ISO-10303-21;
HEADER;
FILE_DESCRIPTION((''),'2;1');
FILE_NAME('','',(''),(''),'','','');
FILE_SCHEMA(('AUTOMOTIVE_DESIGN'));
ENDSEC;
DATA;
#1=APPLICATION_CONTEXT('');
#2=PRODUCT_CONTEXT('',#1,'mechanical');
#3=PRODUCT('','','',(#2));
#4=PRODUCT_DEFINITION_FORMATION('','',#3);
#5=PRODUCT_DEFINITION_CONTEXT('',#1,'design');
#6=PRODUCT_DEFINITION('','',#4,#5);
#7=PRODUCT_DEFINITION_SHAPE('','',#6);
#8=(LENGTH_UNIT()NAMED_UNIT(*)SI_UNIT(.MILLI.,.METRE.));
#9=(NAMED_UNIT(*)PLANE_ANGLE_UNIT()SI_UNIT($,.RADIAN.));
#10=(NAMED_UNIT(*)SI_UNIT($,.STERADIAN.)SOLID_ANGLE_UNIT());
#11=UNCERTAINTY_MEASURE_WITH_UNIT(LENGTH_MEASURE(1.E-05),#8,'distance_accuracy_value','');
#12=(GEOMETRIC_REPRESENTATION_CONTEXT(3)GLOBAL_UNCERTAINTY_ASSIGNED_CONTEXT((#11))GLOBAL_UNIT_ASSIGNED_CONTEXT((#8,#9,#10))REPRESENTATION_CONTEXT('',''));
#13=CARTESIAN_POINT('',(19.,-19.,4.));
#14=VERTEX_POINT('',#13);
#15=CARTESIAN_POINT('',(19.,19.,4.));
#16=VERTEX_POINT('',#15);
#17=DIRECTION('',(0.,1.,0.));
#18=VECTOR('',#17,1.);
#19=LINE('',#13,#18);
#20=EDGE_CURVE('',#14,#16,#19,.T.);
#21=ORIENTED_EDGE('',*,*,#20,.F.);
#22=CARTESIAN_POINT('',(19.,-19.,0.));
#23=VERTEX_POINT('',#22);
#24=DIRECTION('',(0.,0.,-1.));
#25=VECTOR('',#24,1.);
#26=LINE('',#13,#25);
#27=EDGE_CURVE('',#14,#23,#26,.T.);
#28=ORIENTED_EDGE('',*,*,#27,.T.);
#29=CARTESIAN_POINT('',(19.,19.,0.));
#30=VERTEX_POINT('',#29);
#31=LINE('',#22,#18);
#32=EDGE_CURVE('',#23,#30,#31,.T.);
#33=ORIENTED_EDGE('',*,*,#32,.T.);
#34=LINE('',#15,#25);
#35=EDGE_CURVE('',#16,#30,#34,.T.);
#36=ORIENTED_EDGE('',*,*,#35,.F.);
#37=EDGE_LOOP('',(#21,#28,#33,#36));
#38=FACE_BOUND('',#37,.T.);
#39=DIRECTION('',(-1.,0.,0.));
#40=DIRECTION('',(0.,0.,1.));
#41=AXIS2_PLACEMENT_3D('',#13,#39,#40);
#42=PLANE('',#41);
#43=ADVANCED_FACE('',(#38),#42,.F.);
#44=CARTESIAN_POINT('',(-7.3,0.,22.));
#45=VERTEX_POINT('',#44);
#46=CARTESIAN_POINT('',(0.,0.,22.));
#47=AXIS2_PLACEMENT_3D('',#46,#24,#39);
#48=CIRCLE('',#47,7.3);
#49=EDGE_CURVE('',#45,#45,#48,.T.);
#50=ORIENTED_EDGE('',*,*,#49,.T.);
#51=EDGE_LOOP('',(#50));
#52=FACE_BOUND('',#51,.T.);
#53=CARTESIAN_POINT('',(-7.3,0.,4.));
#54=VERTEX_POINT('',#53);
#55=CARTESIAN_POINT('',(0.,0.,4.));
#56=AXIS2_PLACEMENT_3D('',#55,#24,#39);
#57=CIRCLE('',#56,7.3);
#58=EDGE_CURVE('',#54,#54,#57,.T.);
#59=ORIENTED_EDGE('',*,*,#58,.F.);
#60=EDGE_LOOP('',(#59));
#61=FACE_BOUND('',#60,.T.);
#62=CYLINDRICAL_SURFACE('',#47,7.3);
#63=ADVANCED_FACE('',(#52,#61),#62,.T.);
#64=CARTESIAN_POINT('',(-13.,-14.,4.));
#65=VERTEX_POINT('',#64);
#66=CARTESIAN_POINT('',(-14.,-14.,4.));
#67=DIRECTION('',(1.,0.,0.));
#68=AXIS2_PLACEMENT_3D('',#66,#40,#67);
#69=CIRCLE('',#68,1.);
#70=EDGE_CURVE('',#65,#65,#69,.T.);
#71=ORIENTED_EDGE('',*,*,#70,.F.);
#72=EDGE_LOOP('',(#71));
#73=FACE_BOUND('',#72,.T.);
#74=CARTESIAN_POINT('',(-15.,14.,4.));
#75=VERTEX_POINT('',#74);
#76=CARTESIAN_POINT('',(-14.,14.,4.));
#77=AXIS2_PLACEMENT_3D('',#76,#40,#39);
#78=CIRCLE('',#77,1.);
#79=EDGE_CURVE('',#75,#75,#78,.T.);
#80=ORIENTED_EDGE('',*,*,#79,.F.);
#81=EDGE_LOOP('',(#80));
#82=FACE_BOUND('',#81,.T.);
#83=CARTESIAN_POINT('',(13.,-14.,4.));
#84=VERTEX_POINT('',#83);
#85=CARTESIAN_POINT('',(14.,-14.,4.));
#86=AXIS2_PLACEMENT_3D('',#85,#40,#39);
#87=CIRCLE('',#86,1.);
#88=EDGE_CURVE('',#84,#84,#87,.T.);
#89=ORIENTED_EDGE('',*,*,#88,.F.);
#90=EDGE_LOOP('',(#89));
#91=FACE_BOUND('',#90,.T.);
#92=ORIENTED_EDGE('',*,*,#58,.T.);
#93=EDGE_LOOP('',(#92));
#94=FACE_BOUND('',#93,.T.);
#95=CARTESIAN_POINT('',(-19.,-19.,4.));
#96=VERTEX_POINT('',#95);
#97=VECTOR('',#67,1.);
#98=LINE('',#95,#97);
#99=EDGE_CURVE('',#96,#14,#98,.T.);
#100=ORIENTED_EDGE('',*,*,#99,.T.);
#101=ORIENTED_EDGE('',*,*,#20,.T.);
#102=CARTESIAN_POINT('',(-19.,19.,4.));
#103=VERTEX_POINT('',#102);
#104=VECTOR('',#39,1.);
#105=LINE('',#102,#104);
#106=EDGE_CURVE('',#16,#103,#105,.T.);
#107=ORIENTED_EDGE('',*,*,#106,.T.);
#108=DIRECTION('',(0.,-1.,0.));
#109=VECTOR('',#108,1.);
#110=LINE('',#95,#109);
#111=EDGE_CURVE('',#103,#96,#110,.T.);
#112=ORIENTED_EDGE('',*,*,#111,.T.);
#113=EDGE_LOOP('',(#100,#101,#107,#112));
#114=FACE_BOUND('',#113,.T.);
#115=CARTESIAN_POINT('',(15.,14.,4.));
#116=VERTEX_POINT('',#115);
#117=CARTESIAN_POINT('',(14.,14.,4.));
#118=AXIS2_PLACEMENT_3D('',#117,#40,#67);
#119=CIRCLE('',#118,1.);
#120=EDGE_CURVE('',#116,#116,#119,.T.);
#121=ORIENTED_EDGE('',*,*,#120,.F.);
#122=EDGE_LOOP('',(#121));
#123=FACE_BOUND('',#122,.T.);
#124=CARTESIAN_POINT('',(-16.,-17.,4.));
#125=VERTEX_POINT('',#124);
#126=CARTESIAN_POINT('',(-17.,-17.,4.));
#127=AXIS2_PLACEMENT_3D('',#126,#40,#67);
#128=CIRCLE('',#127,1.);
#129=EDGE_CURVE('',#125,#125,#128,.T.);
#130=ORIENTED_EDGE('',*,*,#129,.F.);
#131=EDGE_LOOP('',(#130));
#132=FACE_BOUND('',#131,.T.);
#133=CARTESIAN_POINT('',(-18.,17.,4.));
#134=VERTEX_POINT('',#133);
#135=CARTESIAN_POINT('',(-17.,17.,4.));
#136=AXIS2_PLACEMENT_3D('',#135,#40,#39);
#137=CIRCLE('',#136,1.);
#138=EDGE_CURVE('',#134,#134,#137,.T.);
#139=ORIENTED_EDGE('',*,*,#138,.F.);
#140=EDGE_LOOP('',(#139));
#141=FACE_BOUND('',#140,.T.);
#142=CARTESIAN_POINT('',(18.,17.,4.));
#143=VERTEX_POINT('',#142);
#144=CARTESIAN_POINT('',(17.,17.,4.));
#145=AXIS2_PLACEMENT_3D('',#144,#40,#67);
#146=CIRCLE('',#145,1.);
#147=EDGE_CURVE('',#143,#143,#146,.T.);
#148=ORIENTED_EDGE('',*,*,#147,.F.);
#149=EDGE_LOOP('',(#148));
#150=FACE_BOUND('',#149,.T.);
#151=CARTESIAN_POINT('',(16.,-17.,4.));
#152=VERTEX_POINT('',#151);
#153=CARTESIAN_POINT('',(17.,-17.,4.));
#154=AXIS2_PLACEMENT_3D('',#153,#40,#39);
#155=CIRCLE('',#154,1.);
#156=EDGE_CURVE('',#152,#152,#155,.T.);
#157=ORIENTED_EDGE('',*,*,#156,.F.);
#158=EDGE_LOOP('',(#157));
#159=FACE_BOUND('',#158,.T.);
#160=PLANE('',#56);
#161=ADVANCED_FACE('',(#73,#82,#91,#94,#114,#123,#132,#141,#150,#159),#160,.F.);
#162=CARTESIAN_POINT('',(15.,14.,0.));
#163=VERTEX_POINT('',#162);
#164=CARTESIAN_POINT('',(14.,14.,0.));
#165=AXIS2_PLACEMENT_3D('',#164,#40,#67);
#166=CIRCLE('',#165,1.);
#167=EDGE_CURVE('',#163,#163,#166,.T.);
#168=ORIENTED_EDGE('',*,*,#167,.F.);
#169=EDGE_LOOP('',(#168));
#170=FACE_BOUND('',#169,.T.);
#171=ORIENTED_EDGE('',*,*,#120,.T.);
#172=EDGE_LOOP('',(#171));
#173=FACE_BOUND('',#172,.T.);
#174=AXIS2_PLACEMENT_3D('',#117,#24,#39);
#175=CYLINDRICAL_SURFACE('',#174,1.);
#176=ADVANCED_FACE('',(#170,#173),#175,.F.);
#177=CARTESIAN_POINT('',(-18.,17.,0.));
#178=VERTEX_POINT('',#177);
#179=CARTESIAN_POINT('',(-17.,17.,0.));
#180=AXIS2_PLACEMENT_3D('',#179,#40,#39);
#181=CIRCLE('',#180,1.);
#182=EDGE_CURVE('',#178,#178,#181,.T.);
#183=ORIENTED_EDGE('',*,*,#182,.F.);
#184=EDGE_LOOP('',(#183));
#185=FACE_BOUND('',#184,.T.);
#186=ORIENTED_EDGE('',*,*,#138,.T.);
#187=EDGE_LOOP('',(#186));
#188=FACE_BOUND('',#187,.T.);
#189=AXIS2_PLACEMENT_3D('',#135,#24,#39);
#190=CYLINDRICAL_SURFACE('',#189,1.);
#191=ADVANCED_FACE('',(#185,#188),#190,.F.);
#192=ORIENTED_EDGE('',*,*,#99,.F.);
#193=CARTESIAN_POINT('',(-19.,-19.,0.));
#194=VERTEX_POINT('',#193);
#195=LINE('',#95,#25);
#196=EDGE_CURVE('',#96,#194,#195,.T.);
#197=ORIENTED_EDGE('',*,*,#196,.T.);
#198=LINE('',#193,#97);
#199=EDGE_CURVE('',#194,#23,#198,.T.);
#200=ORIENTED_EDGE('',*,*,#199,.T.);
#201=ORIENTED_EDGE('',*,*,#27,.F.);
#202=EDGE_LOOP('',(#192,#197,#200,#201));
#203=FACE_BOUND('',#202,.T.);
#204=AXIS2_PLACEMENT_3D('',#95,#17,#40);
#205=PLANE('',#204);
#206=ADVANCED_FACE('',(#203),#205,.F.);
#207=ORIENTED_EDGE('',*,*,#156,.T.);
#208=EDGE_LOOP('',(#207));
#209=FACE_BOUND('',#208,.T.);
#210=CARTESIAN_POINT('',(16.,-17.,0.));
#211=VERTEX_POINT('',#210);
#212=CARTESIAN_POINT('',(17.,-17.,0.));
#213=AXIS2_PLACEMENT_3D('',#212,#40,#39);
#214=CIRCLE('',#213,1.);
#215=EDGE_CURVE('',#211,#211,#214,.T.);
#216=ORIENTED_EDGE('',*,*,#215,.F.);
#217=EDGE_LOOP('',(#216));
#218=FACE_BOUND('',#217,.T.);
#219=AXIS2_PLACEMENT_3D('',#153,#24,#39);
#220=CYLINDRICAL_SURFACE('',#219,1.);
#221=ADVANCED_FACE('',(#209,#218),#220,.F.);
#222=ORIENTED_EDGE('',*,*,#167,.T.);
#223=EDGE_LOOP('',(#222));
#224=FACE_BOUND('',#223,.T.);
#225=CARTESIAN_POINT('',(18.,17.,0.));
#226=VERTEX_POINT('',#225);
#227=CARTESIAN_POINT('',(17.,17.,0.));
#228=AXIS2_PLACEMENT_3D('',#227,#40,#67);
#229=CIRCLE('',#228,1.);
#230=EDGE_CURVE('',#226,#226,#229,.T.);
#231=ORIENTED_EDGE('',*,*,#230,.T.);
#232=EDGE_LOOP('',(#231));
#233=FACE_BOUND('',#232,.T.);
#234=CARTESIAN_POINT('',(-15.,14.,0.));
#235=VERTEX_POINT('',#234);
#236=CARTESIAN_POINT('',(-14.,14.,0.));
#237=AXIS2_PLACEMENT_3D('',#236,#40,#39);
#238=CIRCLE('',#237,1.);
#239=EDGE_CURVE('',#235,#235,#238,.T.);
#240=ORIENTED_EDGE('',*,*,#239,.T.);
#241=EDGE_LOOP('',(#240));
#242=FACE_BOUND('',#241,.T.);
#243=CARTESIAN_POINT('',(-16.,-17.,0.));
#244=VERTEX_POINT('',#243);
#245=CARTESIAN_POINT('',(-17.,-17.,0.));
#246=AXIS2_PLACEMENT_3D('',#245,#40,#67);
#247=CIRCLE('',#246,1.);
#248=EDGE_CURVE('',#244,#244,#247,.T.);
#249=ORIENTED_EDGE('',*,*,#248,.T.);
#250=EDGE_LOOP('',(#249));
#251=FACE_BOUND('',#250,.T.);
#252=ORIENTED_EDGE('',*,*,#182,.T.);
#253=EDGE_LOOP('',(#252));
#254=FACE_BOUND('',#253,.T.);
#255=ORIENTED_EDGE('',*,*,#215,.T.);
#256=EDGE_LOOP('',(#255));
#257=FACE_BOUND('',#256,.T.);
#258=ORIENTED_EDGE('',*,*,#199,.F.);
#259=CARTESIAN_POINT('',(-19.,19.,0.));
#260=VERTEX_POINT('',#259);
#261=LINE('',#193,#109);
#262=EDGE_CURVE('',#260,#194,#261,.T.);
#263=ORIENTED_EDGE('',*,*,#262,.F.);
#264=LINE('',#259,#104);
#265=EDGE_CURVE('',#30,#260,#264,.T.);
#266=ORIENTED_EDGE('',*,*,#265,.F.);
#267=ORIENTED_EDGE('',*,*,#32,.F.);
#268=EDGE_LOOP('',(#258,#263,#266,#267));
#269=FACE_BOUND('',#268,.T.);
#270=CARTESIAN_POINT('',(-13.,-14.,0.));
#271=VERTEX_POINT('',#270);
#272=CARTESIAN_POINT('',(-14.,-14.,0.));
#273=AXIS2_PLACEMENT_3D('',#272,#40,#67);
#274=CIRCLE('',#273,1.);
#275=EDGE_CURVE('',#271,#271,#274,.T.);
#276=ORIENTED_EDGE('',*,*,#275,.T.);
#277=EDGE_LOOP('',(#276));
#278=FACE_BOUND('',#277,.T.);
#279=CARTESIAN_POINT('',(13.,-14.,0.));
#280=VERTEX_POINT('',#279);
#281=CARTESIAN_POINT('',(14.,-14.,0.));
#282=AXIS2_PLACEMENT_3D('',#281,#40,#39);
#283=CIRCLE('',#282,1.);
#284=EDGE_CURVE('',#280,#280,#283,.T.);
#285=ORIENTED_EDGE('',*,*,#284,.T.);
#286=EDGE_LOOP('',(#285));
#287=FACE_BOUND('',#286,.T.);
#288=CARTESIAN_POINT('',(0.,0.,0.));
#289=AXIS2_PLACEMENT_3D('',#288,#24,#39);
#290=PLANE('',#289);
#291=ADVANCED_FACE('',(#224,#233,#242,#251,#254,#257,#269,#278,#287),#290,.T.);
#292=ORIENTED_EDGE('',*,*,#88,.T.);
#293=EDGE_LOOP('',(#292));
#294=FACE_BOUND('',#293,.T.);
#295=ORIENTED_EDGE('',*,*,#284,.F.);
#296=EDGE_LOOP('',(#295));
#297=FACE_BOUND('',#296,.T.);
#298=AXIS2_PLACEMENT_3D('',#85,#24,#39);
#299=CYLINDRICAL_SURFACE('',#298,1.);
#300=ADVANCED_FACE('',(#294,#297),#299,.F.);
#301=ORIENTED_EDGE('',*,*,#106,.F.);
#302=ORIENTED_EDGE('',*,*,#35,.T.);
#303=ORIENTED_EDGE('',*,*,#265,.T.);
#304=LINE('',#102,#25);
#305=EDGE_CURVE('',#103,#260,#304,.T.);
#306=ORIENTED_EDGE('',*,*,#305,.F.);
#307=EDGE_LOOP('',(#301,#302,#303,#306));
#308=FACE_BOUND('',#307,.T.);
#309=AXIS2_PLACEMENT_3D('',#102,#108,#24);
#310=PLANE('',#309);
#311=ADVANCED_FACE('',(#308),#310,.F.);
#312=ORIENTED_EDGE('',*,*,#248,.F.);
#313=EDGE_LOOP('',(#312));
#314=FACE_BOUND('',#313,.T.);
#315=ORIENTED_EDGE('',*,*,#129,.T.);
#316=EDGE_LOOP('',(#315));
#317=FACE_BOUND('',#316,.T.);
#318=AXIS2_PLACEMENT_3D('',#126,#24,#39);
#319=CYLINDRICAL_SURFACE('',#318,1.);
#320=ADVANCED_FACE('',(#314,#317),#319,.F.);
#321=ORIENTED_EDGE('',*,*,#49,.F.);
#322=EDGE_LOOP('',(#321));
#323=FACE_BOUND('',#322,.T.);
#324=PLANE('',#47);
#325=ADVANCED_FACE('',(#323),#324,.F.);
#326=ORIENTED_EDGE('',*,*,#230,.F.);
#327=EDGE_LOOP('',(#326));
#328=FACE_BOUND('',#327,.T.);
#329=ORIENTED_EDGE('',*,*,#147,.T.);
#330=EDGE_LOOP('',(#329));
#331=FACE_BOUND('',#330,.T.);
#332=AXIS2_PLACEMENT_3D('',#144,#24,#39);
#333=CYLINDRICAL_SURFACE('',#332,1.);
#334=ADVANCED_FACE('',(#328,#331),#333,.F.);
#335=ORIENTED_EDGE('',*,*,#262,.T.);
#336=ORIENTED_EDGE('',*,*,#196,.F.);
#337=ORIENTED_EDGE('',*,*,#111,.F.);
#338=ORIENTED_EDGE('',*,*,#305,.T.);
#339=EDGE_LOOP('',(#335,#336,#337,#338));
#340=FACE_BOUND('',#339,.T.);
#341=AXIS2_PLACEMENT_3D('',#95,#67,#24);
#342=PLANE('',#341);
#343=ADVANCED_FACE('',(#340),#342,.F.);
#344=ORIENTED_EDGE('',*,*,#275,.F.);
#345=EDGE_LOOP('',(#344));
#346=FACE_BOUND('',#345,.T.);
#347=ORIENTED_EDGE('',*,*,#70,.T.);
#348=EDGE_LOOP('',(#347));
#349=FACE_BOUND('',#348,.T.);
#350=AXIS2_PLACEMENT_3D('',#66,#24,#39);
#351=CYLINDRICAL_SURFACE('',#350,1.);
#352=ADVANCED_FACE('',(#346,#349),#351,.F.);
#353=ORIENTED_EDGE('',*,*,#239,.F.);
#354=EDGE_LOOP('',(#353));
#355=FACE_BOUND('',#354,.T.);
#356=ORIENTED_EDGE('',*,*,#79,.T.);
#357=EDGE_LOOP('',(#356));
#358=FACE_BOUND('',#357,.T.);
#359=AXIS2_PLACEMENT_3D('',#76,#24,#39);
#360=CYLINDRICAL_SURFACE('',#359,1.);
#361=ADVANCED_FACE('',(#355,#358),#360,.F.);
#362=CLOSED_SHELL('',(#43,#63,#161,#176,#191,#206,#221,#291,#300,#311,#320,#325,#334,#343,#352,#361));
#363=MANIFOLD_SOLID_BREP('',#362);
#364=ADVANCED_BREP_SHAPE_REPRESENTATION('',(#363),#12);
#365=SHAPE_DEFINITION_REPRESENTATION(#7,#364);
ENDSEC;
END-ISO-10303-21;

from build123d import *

# Parameters (mm, degrees)
SKETCH1_W           = 38
SKETCH1_H           = 38
SKETCH1_R           = 1
BOSS_EXTRUDE1_DEPTH = 4
BOSS_EXTRUDE2_START = 4
SKETCH2_R           = 7.3
BOSS_EXTRUDE2_DEPTH = 18


with BuildPart() as part:
    # Sketch1 → Boss-Extrude1 (new body)
    with BuildSketch(Plane.XY):
        Rectangle(SKETCH1_W, SKETCH1_H)
        with Locations((14, 14)):
            Circle(SKETCH1_R, mode=Mode.SUBTRACT)
        with Locations((17, 17)):
            Circle(SKETCH1_R, mode=Mode.SUBTRACT)
        with Locations(Location((14, -14, 0), (0, 0, 180))):
            Circle(SKETCH1_R, mode=Mode.SUBTRACT)
        with Locations(Location((17, -17, 0), (0, 0, 180))):
            Circle(SKETCH1_R, mode=Mode.SUBTRACT)
        with Locations((-14, -14)):
            Circle(SKETCH1_R, mode=Mode.SUBTRACT)
        with Locations((-17, -17)):
            Circle(SKETCH1_R, mode=Mode.SUBTRACT)
        with Locations(Location((-17, 17, 0), (0, 0, 180))):
            Circle(SKETCH1_R, mode=Mode.SUBTRACT)
        with Locations(Location((-14, 14, 0), (0, 0, 180))):
            Circle(SKETCH1_R, mode=Mode.SUBTRACT)
    extrude(amount=BOSS_EXTRUDE1_DEPTH)

    # Sketch2 → Boss-Extrude2 (add)
    with BuildSketch(Plane.XY.offset(BOSS_EXTRUDE2_START)):
        with Locations(Location((0, 0, 0), (0, 0, 180))):
            Circle(SKETCH2_R)
    extrude(amount=BOSS_EXTRUDE2_DEPTH)


solid = part.part
